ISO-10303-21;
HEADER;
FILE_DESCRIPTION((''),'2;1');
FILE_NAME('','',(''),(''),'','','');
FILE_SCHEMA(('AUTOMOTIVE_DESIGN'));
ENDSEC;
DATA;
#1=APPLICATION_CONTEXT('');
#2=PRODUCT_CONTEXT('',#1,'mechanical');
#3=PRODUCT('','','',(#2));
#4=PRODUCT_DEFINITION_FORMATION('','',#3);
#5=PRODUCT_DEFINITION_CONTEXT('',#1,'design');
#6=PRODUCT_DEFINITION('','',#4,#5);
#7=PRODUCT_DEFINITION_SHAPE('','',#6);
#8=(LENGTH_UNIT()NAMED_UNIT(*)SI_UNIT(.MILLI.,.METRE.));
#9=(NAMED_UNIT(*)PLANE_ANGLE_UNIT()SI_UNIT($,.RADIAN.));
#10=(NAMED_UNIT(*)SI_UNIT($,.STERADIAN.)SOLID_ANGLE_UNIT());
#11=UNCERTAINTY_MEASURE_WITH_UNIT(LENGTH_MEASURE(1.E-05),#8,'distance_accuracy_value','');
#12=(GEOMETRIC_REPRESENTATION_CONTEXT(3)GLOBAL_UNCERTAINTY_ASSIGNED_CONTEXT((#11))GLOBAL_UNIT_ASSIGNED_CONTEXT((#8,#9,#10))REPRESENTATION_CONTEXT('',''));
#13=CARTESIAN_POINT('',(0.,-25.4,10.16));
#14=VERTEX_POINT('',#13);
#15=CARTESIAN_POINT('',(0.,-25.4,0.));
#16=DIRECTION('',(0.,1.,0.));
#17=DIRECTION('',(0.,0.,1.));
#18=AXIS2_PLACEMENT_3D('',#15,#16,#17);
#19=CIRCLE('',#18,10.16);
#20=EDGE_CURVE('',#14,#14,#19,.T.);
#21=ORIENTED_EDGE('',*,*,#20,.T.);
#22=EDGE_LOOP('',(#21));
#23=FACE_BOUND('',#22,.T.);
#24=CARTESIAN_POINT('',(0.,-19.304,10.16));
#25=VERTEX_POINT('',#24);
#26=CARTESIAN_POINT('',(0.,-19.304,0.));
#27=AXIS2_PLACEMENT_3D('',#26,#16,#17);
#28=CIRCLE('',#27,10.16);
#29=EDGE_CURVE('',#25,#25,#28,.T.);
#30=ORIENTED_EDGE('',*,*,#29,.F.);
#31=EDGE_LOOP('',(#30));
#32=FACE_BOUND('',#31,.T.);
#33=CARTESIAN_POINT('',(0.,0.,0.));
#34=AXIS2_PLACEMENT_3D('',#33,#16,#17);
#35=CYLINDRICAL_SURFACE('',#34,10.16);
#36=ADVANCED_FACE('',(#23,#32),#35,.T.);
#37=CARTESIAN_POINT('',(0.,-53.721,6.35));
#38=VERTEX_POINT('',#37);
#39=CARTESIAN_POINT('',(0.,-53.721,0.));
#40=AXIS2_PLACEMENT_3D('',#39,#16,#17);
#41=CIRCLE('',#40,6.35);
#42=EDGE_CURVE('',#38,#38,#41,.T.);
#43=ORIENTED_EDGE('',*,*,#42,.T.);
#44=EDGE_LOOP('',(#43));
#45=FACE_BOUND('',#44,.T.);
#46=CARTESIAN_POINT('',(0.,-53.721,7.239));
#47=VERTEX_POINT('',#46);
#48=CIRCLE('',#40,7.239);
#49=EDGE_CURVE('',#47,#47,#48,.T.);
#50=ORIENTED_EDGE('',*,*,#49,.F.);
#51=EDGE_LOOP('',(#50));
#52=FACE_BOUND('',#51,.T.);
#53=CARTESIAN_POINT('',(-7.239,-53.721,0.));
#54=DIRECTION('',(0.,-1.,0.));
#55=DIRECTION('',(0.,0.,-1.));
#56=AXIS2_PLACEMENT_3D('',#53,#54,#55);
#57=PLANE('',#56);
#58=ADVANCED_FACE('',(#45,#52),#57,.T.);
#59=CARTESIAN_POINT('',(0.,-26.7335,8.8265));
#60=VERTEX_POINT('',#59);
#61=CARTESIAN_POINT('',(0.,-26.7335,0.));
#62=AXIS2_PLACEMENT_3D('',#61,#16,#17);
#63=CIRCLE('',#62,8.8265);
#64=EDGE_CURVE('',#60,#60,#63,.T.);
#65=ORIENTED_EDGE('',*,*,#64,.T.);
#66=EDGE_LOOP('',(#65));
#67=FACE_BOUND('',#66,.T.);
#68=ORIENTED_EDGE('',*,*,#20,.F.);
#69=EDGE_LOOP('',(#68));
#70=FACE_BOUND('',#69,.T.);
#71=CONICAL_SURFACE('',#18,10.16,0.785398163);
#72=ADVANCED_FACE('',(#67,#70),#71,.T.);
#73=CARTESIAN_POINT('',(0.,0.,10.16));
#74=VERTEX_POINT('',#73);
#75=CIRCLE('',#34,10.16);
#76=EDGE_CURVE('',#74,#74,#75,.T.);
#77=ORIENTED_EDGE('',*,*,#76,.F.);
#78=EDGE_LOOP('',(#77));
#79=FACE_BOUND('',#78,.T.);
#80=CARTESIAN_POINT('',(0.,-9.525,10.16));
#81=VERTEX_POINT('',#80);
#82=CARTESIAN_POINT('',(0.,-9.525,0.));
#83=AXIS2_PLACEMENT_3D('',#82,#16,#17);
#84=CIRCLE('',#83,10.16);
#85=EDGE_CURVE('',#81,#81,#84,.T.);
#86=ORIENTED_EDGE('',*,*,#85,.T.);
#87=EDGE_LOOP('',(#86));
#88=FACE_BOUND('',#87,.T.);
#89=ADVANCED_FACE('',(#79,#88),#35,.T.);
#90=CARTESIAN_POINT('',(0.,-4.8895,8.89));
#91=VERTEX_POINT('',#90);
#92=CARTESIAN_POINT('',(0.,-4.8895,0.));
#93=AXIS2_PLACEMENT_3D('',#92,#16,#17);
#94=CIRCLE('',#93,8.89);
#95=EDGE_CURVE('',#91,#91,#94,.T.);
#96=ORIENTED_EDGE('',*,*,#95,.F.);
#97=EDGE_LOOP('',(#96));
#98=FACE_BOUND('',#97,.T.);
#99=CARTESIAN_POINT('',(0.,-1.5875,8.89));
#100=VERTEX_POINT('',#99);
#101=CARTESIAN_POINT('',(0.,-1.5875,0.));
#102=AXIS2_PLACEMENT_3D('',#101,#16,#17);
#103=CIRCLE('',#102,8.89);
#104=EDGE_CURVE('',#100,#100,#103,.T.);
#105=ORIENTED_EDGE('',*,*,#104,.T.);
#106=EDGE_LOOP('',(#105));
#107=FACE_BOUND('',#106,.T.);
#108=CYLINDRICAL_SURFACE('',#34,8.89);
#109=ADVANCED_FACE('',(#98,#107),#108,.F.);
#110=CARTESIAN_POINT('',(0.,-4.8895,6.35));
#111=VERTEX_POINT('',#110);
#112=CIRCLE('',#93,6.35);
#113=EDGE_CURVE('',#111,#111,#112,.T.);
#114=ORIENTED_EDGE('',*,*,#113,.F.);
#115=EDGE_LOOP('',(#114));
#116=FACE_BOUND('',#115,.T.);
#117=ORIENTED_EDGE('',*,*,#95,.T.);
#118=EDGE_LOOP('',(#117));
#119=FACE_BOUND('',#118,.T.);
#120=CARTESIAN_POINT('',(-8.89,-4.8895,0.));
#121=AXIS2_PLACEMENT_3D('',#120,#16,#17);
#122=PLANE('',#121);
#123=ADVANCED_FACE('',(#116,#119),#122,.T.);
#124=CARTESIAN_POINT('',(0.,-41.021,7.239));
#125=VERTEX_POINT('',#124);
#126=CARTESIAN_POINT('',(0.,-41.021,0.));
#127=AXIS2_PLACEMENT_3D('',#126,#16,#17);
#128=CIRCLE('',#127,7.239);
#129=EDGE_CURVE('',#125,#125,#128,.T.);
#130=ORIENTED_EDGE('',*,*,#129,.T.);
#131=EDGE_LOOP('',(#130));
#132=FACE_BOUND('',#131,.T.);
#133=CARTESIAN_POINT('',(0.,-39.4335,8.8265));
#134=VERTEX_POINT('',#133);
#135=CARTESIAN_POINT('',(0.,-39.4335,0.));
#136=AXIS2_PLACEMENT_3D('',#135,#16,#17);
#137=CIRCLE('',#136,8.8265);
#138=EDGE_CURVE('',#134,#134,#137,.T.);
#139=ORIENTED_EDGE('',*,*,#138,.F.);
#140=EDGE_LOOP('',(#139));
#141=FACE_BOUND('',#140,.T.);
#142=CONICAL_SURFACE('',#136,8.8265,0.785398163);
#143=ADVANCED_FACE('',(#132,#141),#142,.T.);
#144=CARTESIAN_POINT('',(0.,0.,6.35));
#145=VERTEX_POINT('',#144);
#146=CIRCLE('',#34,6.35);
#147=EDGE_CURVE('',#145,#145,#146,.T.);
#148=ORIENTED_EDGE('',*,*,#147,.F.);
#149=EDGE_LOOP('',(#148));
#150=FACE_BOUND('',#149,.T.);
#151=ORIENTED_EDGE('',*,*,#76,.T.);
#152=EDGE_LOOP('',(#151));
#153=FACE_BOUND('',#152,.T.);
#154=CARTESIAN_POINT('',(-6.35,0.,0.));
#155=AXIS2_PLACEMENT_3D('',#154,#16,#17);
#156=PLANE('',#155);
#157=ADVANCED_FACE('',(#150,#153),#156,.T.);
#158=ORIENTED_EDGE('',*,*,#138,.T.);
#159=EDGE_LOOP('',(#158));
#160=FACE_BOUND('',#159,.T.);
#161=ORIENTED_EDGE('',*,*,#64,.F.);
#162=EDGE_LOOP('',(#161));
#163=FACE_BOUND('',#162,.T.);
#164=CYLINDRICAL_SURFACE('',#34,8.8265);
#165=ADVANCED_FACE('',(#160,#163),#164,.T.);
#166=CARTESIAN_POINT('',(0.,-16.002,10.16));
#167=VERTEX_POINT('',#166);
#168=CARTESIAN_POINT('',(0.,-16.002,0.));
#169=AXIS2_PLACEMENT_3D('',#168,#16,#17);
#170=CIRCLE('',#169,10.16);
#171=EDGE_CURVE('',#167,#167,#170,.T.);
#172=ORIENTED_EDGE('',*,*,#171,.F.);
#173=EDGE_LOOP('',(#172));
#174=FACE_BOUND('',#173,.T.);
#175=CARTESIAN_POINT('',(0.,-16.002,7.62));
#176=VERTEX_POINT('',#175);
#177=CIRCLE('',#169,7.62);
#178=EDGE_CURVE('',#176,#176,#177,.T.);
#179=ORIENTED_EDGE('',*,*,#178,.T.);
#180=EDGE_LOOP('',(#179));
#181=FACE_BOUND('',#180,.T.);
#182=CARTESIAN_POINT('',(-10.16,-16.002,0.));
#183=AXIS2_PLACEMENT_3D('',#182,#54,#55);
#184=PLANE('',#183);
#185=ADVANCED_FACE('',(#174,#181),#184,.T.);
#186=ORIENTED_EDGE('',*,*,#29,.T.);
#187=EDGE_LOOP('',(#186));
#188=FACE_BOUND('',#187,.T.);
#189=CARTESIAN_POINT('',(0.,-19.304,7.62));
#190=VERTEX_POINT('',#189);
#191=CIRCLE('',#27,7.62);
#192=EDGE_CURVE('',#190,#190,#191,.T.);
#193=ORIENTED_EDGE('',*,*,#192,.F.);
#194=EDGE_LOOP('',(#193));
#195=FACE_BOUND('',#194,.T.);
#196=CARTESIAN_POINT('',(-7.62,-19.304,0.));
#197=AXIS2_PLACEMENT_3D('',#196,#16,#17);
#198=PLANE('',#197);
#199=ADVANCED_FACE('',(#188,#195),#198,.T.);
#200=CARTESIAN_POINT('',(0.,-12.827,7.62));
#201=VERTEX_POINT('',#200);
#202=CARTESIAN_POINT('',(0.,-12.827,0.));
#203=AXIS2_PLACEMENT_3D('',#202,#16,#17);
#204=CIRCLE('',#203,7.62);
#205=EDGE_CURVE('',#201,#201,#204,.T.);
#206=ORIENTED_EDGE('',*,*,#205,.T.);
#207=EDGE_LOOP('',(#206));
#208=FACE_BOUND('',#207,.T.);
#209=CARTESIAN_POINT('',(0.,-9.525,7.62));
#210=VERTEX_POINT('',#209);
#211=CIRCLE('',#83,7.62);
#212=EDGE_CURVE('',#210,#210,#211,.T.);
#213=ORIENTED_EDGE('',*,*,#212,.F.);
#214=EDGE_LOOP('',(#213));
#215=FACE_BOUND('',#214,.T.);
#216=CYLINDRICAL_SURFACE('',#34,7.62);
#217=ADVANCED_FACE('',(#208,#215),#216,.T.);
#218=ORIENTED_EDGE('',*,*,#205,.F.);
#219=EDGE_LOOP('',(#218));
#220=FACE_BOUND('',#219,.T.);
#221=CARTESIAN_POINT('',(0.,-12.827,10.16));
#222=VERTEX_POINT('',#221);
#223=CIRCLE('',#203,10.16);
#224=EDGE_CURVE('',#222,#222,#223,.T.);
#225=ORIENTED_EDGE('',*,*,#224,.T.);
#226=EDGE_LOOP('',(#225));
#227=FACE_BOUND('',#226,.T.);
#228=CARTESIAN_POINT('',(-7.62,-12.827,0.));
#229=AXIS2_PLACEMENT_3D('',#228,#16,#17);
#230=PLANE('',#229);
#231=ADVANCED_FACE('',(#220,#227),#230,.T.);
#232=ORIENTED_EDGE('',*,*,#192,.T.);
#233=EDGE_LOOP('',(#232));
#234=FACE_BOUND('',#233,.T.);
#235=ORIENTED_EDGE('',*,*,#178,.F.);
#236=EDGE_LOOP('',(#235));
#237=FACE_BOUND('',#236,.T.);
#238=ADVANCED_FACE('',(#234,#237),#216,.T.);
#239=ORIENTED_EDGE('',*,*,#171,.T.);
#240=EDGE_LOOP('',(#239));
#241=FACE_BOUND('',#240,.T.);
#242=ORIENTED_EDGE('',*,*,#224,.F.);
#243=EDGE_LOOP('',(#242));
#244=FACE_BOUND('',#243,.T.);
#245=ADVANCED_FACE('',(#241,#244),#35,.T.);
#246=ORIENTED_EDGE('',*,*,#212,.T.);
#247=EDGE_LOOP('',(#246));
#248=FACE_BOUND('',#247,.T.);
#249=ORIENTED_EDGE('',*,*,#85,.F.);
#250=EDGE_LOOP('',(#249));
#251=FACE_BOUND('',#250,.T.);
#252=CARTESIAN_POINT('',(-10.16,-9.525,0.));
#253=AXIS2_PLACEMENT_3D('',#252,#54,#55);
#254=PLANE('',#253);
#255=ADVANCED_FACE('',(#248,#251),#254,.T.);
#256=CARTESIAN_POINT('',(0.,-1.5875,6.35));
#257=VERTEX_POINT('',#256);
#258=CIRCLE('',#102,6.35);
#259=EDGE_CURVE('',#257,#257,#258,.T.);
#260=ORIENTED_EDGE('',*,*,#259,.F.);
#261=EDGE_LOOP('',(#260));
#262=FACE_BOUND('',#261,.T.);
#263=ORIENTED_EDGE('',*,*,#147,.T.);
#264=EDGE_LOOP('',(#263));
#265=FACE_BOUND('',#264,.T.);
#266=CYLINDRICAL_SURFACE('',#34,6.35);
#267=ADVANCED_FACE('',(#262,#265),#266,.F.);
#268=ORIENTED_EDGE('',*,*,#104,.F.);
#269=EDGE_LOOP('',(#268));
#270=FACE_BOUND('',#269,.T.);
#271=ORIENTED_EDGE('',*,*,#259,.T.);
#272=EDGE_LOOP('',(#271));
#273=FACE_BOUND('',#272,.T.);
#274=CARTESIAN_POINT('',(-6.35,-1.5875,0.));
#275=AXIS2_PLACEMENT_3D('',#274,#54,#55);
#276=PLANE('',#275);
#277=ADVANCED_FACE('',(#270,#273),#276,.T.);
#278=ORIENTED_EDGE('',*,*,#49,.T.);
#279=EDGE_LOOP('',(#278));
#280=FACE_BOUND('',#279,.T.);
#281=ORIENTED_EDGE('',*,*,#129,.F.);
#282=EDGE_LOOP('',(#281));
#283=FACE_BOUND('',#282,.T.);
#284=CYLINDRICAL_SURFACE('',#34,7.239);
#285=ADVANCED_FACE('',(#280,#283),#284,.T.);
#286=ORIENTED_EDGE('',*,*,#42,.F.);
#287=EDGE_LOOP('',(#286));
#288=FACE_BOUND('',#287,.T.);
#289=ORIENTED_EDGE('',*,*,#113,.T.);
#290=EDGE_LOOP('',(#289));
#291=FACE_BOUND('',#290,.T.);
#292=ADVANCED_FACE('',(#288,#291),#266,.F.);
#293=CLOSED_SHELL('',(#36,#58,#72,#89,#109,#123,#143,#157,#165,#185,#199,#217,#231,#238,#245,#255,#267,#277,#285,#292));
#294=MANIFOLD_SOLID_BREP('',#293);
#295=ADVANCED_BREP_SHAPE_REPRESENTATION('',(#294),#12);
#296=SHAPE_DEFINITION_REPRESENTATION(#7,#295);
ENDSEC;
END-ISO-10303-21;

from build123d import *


with BuildPart() as part:
    # Sketch1 → Revolve1 (revolve)
    with BuildSketch(Plane.XY):
        Polygon((-6.35, 0), (-10.16, 0), (-10.16, -9.525), (-7.62, -9.525), (-7.62, -12.827), (-10.16, -12.827), (-10.16, -16.002), (-7.62, -16.002), (-7.62, -19.304), (-10.16, -19.304), (-10.16, -25.4), (-8.8265, -26.7335), (-8.8265, -39.4335), (-7.239, -41.021), (-7.239, -53.721), (-6.35, -53.721), (-6.35, -4.8895), (-8.89, -4.8895), (-8.89, -1.5875), (-6.35, -1.5875), align=None)
    revolve(axis=Axis((0, 0, 0), (0, -1, 0)))


solid = part.part
